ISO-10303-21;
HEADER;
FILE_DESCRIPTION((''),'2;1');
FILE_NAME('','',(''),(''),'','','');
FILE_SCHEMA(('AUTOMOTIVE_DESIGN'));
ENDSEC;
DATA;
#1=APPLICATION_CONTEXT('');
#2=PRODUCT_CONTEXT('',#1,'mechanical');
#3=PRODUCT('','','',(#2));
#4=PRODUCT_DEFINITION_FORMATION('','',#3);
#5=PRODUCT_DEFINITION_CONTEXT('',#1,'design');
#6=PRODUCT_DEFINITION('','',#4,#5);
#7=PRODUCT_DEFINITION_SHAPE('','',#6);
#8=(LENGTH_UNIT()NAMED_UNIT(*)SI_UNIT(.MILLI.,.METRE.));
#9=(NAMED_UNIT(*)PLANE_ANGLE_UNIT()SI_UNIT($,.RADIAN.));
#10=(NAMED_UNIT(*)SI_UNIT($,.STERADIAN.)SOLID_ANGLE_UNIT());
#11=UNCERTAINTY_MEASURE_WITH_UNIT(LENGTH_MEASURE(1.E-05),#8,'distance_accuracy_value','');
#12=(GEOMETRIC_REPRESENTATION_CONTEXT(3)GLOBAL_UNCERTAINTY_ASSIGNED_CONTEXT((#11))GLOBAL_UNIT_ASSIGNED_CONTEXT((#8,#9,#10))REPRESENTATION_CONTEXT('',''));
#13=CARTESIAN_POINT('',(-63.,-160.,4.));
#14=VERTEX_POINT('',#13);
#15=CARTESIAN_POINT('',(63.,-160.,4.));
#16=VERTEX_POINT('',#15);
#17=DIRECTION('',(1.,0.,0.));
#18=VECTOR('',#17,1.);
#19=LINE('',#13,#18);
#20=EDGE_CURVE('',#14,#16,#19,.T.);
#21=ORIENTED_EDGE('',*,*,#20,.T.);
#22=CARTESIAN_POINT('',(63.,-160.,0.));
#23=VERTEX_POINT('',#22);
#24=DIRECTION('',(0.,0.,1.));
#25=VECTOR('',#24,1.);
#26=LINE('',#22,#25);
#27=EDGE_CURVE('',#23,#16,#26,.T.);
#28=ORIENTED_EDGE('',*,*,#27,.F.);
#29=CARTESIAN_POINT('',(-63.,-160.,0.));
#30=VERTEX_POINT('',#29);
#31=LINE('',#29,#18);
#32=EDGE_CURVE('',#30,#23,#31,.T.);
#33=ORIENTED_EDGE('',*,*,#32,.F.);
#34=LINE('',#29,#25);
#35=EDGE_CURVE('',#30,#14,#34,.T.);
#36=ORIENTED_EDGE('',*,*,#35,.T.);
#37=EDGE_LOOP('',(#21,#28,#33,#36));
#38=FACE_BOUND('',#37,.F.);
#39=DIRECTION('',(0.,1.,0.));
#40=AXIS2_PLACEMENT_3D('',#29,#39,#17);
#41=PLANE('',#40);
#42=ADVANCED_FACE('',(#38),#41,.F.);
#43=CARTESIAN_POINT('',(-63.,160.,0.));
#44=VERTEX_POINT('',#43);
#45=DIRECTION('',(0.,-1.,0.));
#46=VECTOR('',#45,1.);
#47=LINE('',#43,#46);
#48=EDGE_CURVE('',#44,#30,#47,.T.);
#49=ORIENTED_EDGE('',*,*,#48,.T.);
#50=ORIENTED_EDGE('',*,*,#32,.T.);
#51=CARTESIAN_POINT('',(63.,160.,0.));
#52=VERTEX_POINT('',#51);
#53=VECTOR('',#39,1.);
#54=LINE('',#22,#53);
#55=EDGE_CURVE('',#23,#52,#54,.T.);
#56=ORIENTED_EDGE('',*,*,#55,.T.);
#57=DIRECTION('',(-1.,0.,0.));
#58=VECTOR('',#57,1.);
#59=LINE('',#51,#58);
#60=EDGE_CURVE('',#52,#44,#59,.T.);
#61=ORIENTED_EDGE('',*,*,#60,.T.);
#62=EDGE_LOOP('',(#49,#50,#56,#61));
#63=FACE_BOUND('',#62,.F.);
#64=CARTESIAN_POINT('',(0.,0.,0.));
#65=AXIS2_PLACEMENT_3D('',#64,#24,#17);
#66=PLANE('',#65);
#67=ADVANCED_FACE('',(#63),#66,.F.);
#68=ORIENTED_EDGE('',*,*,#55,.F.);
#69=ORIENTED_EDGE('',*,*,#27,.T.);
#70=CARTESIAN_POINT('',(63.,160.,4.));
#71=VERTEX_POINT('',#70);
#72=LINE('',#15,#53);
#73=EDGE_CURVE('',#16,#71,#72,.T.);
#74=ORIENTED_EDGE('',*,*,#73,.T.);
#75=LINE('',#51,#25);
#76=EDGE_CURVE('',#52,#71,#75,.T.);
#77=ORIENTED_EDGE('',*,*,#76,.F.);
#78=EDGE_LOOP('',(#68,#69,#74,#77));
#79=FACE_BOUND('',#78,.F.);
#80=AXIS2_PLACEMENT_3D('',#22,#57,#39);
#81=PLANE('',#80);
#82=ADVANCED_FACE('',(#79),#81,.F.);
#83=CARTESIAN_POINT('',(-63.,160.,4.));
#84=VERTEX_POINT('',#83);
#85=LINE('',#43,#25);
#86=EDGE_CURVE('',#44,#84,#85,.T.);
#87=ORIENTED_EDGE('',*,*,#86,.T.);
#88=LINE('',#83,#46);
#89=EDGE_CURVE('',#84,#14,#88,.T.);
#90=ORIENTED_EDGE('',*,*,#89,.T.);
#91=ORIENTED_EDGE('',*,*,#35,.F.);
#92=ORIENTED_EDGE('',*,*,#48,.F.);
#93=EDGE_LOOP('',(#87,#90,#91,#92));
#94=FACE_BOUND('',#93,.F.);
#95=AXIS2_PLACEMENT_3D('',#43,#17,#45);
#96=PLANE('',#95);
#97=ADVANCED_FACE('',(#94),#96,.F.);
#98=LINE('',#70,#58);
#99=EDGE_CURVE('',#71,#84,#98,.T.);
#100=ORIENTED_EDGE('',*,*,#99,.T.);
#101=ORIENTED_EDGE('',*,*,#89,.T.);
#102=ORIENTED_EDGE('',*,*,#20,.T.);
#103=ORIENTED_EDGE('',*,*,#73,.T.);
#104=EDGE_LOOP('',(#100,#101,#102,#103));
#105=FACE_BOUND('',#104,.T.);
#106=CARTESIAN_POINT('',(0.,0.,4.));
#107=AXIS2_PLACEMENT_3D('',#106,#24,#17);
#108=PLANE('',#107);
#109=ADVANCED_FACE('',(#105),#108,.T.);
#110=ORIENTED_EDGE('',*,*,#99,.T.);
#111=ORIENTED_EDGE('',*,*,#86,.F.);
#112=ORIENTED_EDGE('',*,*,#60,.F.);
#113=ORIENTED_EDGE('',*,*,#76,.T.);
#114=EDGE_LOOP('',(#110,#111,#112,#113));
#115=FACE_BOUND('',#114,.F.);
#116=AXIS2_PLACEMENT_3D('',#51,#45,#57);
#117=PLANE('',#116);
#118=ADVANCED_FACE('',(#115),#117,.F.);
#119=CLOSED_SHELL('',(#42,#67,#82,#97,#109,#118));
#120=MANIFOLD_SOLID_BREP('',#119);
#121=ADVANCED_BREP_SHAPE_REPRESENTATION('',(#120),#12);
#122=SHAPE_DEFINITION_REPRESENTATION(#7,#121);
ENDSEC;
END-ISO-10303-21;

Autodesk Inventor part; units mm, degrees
ref_plane "YZ Plane" through (0, 0, 0) normal (1, 0, 0) x (0, 1, 0)
ref_plane "XZ Plane" through (0, 0, 0) normal (0, 1, 0) x (-1, 0, 0)
ref_plane "XY Plane" through (0, 0, 0) normal (0, 0, 1) x (1, 0, 0)
sketch "Эскиз5" plane through (0, 0, 0) normal (0, 0, 1) x (1, 0, 0)
  line L0 (-63, -160) -> (63, -160)
  line L1 (63, -160) -> (63, 160)
  line L2 (63, 160) -> (-63, 160)
  line L3 (-63, 160) -> (-63, -160)
  line L4 (-63, -160) -> (63, 160) construction
  line L5 (63, -160) -> (-63, 160) construction
  point P0 (0, 0)
  dimension "d64" = 126
  dimension "d65" = 320
extrude "Пластина2" add sketch "Эскиз5" along normal blind 4
equation "\"Радиус_гибки\" = Толщина"
equation "\"Ширина_просечки\" = Толщина"
equation "\"Глубина_просечки\" = 0.5 * Толщина"
equation "\"Размер_высечки\" = 4 * Толщина"
equation "\"Минимальный_остаток\" = 2 * Толщина"
equation "\"Радиус_перехода\" = Радиус_гибки"
equation "\"Радиус_Якоби\" = Радиус_гибки"
equation "\"Размер_зазора\" = Толщина"
equation "\"d2\" = Радиус_гибки"
equation "\"d66\" = Радиус_гибки"
equation "\"Толщина\" = 4"
properties material "Сталь"
